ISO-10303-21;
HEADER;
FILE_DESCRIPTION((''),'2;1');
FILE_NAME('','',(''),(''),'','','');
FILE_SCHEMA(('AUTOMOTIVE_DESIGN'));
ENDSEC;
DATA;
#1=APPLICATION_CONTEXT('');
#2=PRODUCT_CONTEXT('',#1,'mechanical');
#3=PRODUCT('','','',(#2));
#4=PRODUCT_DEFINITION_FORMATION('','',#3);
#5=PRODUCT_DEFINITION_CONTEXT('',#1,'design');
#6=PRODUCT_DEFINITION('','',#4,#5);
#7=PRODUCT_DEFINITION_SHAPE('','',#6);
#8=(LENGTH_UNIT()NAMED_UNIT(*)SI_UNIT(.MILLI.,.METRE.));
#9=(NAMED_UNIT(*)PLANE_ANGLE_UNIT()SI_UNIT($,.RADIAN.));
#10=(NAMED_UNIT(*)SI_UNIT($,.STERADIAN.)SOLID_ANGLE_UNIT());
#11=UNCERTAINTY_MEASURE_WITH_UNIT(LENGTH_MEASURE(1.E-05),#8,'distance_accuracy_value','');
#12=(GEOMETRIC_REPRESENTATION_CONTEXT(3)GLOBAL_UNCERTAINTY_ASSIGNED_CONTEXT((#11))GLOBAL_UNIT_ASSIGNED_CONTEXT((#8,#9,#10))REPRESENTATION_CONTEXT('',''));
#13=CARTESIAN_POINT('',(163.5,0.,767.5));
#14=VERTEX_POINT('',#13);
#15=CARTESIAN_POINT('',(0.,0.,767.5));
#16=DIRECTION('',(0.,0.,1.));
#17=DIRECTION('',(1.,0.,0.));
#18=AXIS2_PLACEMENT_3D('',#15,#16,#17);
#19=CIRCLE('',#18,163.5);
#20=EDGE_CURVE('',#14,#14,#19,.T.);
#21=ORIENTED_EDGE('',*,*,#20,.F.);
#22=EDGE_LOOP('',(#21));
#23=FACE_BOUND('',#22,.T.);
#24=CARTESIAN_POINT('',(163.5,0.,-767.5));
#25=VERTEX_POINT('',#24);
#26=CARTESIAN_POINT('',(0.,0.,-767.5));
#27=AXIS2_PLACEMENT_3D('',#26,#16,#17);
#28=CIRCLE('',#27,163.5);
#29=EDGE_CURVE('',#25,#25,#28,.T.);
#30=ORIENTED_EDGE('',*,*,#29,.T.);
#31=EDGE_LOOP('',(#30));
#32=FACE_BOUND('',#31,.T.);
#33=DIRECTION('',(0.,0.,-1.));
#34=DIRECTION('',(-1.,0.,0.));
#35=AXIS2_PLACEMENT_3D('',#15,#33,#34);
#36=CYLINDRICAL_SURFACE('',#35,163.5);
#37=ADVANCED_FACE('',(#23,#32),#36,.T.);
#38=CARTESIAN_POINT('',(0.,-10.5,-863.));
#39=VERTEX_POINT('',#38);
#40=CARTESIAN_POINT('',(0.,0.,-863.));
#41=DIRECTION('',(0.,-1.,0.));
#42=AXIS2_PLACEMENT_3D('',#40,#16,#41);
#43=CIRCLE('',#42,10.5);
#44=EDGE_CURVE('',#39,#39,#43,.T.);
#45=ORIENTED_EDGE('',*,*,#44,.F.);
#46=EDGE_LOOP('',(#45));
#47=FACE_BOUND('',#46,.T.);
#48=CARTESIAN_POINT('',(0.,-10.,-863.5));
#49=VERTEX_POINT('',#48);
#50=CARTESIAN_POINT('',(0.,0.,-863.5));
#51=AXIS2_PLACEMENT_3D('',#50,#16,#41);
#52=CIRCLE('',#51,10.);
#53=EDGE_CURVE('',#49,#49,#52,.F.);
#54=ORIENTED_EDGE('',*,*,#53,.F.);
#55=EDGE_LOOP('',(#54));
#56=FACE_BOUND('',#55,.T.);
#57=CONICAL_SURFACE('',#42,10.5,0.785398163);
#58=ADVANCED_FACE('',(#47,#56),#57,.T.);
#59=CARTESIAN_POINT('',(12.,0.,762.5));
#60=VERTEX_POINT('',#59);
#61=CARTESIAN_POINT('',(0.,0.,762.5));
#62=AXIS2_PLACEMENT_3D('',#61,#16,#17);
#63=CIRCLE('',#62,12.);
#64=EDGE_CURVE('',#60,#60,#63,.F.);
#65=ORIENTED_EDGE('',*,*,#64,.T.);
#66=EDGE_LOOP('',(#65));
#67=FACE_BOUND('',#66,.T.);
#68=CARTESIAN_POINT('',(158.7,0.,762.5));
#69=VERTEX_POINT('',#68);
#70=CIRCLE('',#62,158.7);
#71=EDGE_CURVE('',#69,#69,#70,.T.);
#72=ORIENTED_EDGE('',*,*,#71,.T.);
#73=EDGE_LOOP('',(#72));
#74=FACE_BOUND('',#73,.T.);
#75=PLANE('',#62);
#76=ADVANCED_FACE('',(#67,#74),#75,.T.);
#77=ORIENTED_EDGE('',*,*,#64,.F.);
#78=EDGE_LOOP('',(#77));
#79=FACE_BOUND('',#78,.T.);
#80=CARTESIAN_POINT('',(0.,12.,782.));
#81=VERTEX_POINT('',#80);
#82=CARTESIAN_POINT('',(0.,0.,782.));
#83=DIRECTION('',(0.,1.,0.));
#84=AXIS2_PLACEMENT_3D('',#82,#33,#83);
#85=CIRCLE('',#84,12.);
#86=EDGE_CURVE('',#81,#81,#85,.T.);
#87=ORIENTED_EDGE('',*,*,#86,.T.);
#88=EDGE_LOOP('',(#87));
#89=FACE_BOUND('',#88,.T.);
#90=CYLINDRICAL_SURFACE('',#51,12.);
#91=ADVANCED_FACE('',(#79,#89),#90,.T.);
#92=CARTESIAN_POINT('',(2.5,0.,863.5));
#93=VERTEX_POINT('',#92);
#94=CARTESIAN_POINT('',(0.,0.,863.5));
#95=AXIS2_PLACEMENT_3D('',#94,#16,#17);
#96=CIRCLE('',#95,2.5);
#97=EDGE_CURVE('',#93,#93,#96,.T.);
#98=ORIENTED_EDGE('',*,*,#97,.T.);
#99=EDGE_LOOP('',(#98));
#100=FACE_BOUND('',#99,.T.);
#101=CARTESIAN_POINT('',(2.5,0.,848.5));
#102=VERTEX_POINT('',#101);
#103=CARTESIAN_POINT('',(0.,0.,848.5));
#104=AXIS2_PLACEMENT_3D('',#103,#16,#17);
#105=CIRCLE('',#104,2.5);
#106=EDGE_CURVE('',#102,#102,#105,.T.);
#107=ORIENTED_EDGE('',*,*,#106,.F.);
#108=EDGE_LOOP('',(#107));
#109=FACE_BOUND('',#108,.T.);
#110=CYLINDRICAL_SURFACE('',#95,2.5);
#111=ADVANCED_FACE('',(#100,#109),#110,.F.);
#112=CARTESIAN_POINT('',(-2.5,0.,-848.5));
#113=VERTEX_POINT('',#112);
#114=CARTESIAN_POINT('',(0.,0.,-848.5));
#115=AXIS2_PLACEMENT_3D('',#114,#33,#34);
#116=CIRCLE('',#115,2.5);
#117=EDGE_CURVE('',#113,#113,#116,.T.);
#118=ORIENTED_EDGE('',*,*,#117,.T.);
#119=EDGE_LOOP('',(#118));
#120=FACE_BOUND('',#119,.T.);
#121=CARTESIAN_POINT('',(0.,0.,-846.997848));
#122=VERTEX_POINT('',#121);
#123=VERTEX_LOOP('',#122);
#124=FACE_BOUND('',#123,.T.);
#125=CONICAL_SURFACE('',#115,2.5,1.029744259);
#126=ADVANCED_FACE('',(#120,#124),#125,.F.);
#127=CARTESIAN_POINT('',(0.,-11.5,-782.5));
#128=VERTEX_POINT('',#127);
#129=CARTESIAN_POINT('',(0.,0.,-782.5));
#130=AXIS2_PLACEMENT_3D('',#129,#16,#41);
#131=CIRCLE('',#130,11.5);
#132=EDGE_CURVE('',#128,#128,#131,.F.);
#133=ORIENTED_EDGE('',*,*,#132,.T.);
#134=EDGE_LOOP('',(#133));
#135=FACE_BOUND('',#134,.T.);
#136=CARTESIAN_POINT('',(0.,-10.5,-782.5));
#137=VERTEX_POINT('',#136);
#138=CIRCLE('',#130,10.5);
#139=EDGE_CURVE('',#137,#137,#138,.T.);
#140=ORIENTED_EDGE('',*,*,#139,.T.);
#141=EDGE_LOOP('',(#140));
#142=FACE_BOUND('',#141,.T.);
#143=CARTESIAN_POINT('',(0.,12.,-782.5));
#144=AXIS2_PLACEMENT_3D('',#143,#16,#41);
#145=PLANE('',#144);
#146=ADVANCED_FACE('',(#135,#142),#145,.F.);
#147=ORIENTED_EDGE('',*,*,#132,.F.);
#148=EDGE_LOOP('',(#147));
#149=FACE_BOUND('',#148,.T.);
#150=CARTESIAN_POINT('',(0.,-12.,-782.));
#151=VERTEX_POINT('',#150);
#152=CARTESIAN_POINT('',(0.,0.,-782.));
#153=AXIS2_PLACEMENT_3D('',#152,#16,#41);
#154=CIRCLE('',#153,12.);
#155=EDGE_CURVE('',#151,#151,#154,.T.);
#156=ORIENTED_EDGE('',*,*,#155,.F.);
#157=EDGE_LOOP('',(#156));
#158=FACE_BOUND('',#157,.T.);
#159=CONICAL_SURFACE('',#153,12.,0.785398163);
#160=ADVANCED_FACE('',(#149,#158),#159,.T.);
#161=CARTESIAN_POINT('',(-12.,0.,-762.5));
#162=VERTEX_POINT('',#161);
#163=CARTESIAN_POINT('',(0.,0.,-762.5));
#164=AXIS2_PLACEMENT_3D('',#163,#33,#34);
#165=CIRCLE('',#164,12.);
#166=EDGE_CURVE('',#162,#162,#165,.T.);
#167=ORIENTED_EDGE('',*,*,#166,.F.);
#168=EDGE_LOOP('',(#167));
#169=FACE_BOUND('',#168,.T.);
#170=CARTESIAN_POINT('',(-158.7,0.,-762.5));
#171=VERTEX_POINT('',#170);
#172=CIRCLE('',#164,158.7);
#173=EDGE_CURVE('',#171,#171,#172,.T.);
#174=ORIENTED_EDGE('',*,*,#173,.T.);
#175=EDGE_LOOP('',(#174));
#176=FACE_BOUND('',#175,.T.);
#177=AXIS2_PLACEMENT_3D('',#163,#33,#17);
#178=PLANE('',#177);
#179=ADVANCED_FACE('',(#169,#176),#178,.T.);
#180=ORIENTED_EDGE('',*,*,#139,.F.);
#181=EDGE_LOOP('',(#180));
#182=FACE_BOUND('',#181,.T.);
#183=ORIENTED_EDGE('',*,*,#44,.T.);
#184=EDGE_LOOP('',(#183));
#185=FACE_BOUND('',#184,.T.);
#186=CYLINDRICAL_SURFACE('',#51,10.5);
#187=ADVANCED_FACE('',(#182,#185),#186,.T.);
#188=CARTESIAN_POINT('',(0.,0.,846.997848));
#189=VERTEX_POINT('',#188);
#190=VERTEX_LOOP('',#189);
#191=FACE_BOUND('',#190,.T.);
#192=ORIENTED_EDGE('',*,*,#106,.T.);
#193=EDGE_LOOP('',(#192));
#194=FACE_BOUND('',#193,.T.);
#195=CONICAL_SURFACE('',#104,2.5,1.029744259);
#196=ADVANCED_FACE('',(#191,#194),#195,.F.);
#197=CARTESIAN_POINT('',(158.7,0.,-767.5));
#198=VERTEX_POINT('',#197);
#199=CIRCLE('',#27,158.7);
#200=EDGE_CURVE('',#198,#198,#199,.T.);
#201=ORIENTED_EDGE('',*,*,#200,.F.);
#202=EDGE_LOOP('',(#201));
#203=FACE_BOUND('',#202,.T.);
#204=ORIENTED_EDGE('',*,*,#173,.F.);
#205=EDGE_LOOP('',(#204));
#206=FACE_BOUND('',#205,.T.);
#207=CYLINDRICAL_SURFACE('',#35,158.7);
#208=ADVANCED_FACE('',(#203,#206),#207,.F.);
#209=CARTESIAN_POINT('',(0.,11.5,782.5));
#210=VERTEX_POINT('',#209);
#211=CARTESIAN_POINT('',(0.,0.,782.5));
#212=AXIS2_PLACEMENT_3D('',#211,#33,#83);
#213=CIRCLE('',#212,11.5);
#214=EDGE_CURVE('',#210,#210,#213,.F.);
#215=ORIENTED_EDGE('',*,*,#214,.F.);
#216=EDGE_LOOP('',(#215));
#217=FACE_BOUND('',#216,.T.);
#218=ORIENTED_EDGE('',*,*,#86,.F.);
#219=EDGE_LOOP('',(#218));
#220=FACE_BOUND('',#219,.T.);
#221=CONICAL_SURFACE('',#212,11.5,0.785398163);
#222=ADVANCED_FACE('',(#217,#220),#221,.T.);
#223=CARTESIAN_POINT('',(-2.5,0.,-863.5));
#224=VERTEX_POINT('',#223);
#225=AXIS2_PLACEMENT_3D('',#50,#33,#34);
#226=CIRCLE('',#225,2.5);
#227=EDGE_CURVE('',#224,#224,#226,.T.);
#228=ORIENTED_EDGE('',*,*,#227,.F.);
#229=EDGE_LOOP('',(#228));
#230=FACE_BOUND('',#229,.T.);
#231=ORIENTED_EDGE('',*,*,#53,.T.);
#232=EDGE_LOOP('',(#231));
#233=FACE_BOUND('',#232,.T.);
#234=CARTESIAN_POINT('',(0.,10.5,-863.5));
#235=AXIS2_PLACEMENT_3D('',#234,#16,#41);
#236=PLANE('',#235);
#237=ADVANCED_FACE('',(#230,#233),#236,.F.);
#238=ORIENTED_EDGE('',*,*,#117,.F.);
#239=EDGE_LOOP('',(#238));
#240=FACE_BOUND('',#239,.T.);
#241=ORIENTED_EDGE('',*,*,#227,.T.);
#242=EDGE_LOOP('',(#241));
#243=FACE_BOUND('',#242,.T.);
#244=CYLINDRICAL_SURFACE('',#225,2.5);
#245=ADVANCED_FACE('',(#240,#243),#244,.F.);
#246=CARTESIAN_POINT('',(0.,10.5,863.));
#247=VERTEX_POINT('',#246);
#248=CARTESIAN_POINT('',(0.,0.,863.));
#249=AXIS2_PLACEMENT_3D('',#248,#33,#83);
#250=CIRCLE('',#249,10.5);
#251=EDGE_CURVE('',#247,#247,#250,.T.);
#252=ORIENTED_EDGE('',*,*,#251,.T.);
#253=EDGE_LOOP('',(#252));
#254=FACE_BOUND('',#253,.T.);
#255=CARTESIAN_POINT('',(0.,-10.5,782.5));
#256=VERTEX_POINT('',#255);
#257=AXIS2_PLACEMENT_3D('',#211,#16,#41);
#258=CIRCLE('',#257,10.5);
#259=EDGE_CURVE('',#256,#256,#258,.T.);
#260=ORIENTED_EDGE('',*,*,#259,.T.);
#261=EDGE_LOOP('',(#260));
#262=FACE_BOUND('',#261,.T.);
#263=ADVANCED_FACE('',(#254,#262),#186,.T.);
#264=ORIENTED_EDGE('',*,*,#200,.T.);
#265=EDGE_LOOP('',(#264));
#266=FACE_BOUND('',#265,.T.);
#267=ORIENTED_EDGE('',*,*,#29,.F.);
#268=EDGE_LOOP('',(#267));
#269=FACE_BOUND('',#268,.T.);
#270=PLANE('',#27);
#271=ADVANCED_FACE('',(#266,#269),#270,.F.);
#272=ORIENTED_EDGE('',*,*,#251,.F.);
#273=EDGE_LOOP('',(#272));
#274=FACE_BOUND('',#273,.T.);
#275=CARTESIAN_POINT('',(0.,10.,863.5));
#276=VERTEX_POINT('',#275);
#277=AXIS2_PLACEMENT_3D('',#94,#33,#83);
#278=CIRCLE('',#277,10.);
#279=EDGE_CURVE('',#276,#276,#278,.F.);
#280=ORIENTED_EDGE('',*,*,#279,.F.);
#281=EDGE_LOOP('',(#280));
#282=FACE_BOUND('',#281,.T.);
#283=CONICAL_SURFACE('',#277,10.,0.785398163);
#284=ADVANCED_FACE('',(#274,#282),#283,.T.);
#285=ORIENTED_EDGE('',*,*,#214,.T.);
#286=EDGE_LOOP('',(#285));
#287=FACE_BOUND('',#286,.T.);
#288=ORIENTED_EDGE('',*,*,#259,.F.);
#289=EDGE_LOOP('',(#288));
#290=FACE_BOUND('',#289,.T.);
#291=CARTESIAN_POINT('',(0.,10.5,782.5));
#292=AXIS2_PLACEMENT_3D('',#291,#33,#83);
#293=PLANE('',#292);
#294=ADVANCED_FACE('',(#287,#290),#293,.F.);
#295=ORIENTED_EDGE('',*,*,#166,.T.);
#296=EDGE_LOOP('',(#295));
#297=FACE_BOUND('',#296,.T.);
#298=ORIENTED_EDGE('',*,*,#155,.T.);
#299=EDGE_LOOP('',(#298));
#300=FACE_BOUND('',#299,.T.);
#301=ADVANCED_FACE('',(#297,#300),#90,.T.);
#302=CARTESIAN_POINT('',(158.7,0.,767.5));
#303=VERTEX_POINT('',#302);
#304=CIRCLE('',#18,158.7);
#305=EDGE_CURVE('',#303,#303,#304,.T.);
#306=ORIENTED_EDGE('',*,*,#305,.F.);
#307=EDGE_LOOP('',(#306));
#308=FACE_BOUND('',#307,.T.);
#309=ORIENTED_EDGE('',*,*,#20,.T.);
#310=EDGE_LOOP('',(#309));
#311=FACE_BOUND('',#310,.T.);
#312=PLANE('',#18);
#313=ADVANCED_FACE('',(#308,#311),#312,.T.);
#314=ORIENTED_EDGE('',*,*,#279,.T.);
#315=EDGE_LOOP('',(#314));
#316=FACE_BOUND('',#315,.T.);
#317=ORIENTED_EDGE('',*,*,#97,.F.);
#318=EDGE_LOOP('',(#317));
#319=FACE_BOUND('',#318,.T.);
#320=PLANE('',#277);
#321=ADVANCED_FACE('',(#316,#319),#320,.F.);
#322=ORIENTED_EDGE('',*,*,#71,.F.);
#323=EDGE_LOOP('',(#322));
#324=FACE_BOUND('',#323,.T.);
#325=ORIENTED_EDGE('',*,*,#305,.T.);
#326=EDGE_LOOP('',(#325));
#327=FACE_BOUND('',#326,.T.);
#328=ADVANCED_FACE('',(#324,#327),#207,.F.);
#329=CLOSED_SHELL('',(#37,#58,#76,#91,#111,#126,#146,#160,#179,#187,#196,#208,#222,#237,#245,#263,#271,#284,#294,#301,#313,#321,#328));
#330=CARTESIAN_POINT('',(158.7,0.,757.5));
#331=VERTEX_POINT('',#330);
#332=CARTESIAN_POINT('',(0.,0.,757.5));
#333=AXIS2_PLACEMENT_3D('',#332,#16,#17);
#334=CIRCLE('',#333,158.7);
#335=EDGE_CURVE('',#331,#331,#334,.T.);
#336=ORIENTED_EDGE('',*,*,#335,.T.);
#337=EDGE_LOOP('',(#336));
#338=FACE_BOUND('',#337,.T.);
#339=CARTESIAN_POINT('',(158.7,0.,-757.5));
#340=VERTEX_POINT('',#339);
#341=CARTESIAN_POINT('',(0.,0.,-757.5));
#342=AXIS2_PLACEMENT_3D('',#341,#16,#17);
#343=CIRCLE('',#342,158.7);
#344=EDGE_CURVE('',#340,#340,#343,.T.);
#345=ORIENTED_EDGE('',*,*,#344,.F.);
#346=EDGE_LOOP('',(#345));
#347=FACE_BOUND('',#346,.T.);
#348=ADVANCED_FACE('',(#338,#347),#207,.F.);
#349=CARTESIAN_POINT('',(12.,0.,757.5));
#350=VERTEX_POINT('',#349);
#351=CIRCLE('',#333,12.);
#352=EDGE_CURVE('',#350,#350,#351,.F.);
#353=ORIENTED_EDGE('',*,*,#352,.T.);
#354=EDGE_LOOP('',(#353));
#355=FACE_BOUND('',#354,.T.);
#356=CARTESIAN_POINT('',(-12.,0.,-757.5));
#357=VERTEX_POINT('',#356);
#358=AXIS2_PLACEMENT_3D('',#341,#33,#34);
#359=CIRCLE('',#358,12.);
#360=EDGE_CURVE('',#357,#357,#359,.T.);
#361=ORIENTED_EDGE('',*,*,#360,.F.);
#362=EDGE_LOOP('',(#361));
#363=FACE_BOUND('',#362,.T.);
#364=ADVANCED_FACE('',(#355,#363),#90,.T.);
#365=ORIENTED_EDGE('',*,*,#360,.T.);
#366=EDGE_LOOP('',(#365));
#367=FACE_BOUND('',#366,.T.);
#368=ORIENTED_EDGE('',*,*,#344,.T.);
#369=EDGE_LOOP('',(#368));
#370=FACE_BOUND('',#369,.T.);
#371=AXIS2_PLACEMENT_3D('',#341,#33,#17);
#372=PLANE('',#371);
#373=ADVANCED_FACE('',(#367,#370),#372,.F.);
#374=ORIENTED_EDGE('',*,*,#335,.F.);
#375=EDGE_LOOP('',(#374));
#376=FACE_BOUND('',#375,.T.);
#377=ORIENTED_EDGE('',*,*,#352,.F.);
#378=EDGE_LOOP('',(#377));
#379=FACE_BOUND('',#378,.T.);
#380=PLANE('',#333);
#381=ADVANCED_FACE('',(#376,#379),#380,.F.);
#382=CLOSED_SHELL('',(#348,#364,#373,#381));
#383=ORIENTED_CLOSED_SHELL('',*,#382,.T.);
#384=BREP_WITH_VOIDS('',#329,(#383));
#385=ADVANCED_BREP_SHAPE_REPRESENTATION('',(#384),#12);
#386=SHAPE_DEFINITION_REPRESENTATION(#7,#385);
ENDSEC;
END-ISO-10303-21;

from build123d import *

# Parameters (mm, degrees)
SKETCH1_R           = 163.5
SKETCH1_R_2         = 158.7
BOSS_EXTRUDE1_DEPTH = 767.5
BOSS_EXTRUDE2_START = -10
SKETCH2_R           = 158.7
BOSS_EXTRUDE2_DEPTH = 5
CHAMFER1_SIZE       = 0.5


with BuildPart() as part:
    # Sketch1 → Boss-Extrude1 (new, symmetric)
    with BuildSketch(Plane.XY):
        Circle(SKETCH1_R)
        Circle(SKETCH1_R_2, mode=Mode.SUBTRACT)
    extrude(amount=BOSS_EXTRUDE1_DEPTH, both=True)

    # Sketch2 → Boss-Extrude2 (add)
    with BuildSketch(Plane.XY.offset(767.5).offset(BOSS_EXTRUDE2_START)):
        Circle(SKETCH2_R)
    boss_extrude2 = extrude(amount=BOSS_EXTRUDE2_DEPTH)

    # Sketch5 → Revolve1 (revolve)
    with BuildSketch(Plane(origin=(0, 0, 0), x_dir=(0, 0, -1), z_dir=(1, 0, 0)), mode=Mode.PRIVATE) as revolve1_sk:
        Polygon((-782.5, 12), (782.5, 12), (782.5, 10.5), (863.5, 10.5), (863.5, 0), (-863.5, 0), (-863.5, 10.5), (-782.5, 10.5), align=None)
    revolve(revolve1_sk.sketch.rotate(Axis((0, 0, -863.5), (0, 0, -1)), 180), axis=Axis((0, 0, -863.5), (0, 0, -1)))

    # Chamfer1
    chamfer1_edges = [part.edges().sort_by_distance(p)[0] for p in [
        (0, 12, -782.5),
        (0, 12, 782.5),
        (0, 10.5, -863.5),
        (0, 10.5, 863.5),
    ]]
    chamfer(chamfer1_edges, length=CHAMFER1_SIZE)

    # Sketch7 → M6 Tapped Hole1 (revolve, cut)
    with BuildSketch(Plane(origin=(0, 0, 863.5), x_dir=(0, -1, 0), z_dir=(1, 0, 0))):
        Polygon((0, 0), (0, 16.502151548), (2.5, 15), (2.5, 0), align=None)
    m6_tapped_hole1 = revolve(axis=Axis((0, 0, 869.85), (0, 0, -1)), mode=Mode.SUBTRACT)

    # Mirror3: Boss-Extrude2, M6 Tapped Hole1 across plane
    add(boss_extrude2.mirror(Plane.XY))
    add(m6_tapped_hole1.mirror(Plane.XY), mode=Mode.SUBTRACT)


solid = part.part
